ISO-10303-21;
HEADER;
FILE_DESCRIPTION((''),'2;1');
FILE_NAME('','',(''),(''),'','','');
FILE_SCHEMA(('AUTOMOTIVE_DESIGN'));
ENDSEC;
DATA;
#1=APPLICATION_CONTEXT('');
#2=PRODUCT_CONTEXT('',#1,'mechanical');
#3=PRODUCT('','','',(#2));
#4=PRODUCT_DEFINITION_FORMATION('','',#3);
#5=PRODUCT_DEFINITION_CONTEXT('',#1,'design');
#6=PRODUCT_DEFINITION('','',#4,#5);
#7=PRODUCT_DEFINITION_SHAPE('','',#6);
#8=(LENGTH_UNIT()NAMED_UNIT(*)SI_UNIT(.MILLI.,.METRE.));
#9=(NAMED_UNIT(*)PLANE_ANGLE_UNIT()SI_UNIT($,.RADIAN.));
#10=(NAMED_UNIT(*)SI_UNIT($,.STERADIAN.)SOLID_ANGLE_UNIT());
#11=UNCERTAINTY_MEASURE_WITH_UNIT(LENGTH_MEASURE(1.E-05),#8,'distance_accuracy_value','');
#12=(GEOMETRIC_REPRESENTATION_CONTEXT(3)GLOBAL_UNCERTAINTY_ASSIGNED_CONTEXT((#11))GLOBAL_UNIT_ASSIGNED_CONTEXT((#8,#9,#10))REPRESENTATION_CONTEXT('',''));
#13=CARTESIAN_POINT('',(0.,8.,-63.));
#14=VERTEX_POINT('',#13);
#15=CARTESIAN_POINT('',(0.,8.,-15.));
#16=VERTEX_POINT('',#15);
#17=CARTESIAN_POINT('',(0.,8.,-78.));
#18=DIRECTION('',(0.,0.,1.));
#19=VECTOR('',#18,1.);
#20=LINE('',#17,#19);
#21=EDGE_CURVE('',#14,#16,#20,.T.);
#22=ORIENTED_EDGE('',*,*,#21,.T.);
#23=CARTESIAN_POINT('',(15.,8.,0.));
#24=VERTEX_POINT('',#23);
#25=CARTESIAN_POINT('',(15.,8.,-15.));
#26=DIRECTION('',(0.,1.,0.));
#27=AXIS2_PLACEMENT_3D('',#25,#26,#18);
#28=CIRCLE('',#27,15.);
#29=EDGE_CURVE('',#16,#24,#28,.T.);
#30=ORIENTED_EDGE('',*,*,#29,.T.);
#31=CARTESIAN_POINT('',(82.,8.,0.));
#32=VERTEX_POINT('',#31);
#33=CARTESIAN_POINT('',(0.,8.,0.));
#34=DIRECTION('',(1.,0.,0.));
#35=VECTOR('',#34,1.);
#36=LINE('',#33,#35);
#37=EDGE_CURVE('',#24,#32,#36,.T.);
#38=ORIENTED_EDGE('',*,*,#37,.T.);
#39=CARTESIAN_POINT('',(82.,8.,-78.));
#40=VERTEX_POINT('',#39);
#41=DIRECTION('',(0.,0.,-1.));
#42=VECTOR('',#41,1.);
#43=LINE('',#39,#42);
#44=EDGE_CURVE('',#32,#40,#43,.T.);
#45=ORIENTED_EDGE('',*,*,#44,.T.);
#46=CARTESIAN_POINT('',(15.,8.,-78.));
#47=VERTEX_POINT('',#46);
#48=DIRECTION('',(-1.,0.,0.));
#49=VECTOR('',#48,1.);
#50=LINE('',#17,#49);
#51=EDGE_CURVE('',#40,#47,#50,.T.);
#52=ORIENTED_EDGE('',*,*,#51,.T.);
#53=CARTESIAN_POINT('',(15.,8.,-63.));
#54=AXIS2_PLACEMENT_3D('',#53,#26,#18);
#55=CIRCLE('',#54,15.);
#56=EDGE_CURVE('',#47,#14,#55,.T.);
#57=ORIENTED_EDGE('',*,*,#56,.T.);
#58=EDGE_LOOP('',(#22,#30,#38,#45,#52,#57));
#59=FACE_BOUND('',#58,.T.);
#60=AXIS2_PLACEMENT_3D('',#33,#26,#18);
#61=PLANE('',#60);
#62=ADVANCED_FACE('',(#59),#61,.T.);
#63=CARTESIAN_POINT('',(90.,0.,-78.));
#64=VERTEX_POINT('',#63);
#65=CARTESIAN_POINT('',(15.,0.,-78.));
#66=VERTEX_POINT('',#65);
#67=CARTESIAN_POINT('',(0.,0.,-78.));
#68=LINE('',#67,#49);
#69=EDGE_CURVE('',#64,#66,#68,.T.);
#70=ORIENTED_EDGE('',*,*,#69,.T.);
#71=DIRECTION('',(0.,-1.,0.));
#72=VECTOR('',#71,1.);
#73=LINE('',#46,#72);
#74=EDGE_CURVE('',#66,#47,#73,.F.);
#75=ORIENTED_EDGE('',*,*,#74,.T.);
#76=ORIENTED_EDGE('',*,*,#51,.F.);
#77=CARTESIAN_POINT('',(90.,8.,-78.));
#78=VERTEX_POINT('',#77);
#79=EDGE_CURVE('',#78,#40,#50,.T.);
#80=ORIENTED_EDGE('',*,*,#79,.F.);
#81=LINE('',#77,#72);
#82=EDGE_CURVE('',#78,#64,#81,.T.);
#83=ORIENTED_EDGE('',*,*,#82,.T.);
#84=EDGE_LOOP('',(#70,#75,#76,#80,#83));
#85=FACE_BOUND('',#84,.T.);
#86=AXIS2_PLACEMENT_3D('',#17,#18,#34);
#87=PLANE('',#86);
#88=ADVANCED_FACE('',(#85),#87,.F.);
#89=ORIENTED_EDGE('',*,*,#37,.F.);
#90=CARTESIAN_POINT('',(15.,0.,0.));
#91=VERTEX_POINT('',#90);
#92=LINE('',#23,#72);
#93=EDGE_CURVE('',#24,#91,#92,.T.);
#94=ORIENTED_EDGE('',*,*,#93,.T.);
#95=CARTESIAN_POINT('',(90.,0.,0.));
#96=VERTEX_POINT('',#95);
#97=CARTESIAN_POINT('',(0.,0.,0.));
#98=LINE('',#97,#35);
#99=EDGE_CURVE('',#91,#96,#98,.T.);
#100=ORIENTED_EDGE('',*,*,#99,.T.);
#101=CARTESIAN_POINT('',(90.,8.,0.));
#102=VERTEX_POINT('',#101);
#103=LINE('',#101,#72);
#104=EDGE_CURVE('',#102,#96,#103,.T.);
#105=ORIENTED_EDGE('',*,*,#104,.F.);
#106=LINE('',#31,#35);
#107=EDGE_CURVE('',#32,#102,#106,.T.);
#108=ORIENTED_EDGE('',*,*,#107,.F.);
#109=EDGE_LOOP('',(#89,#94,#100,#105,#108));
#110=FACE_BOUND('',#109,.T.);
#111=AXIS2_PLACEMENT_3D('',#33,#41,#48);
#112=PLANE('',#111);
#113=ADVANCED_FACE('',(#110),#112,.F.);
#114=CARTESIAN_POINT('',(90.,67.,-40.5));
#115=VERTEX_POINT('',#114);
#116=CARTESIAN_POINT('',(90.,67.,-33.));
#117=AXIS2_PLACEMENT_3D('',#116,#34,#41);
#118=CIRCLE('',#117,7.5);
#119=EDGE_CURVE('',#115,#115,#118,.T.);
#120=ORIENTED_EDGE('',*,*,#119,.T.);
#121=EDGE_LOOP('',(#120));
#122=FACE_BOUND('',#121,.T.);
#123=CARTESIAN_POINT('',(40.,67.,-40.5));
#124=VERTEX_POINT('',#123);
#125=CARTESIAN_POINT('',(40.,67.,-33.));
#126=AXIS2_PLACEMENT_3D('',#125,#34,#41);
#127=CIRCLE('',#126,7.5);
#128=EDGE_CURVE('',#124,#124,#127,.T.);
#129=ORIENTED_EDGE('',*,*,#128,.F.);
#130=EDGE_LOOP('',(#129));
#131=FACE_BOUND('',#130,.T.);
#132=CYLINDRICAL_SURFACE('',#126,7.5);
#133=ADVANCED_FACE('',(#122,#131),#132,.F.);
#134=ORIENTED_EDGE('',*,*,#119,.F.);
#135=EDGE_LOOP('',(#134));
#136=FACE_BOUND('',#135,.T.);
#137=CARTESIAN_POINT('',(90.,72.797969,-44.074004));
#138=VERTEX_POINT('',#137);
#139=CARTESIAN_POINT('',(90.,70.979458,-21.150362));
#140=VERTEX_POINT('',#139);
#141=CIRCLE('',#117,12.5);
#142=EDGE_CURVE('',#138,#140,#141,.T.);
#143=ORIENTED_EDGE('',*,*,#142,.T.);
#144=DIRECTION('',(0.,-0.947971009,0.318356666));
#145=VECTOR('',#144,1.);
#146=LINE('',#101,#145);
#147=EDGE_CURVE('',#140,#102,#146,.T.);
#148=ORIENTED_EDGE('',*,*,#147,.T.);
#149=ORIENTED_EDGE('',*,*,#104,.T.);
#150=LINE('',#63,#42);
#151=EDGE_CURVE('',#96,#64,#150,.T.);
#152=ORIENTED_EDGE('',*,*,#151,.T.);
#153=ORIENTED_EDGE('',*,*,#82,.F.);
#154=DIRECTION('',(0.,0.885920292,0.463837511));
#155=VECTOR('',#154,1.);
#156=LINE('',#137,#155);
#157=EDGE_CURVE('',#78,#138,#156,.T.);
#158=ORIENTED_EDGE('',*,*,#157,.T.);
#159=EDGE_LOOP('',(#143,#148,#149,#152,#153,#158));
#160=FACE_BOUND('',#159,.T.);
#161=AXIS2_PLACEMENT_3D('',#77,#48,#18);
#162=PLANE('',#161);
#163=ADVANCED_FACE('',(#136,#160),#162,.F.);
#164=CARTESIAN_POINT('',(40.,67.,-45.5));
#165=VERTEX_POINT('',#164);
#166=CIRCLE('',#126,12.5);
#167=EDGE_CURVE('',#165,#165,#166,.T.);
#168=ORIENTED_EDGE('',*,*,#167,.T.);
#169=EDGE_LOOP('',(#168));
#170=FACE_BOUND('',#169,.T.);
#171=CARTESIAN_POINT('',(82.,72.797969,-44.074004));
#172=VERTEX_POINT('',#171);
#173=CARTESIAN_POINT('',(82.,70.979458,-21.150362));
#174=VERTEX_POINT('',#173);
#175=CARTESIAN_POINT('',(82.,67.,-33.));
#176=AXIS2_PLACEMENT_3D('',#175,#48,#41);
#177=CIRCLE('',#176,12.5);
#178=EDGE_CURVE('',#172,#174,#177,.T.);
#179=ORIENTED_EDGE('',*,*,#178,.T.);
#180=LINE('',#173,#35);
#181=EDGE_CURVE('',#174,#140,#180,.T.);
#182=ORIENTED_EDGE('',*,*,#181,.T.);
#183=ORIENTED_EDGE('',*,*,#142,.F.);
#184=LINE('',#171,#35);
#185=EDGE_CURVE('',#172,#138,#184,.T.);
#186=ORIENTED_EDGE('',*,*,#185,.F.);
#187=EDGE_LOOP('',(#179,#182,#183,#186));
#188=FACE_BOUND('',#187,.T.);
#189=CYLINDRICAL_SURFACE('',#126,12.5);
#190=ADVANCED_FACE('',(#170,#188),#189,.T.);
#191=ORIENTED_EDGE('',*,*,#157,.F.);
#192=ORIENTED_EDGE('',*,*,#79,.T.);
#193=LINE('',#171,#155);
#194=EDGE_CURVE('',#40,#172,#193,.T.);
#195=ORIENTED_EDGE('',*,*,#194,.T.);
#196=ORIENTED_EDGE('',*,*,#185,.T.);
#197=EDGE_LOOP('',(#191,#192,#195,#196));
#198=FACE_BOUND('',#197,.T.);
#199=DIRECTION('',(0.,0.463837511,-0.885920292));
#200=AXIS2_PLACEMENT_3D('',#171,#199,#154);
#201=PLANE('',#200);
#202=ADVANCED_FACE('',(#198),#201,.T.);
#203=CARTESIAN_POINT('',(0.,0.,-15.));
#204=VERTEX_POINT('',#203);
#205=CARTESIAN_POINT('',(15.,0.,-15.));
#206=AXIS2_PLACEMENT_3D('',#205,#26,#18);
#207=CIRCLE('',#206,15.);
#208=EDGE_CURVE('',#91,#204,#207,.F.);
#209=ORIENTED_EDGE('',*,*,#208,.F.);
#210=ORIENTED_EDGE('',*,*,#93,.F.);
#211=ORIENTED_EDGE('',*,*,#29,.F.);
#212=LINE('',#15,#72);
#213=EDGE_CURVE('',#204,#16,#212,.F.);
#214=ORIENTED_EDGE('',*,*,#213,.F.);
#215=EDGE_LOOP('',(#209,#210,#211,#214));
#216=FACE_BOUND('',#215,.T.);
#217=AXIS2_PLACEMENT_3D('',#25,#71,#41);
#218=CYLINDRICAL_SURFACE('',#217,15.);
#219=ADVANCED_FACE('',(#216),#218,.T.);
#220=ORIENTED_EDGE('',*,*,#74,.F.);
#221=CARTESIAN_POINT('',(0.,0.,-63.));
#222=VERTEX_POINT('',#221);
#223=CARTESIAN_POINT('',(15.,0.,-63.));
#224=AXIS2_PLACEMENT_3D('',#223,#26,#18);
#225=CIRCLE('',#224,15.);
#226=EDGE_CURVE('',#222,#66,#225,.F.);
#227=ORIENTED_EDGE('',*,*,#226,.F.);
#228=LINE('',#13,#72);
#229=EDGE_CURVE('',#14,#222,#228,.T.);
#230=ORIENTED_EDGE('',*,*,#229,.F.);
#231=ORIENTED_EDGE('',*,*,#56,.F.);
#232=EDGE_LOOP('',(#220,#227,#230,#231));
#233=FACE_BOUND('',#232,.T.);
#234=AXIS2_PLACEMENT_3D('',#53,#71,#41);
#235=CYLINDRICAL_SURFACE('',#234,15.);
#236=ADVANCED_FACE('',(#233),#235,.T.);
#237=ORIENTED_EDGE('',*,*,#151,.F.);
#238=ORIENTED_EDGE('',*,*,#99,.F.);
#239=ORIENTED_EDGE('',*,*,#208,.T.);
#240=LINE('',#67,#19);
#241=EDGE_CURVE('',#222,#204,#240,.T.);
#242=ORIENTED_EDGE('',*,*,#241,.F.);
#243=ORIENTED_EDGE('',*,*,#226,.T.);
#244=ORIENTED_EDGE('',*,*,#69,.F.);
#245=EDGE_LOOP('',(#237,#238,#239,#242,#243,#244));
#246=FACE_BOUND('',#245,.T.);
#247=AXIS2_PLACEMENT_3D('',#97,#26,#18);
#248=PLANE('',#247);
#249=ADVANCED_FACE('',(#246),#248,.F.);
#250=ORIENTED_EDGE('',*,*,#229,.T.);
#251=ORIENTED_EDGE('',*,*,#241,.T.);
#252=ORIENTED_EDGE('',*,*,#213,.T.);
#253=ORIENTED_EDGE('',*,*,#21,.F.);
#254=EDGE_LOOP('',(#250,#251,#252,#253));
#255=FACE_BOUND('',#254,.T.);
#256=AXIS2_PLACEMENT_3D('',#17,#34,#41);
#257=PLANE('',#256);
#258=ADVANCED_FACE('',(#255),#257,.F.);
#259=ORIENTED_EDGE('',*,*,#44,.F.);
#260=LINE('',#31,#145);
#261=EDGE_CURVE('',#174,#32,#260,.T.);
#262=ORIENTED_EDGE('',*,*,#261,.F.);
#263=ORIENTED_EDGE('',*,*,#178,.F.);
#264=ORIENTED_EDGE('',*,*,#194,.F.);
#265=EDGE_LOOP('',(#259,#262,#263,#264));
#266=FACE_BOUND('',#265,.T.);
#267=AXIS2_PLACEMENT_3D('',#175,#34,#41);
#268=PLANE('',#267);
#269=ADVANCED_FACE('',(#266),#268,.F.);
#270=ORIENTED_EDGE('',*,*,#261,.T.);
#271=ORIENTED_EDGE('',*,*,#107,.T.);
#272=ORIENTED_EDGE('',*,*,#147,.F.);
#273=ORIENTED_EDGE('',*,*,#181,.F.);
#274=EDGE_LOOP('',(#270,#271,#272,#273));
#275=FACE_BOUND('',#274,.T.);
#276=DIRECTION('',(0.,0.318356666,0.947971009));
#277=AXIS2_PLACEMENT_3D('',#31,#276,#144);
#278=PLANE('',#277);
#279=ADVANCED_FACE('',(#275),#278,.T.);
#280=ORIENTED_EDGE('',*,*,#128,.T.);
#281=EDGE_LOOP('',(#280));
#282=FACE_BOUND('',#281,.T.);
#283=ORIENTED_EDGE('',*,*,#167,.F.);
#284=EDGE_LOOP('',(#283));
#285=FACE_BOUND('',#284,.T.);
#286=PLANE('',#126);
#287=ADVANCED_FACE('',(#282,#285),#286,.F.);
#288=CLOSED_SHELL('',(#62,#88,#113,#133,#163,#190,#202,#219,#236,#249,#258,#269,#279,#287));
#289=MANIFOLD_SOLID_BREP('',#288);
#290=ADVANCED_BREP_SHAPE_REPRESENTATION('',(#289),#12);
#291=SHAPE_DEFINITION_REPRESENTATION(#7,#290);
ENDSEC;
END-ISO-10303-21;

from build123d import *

# Parameters (mm, degrees)
SKETCH2_W           = 90
SKETCH2_H           = 78
BOSS_EXTRUDE1_DEPTH = 8
SKETCH3_R           = 12.5
SKETCH3_R_2         = 7.5
BOSS_EXTRUDE2_DEPTH = 50
BOSS_EXTRUDE3_DEPTH = 8
FILLET1_R           = 15
FILLET2_R           = 15


with BuildPart() as part:
    # Sketch2 → Boss-Extrude1 (new body)
    with BuildSketch(Plane(origin=(0, 0, 0), x_dir=(1, 0, 0), z_dir=(0, 1, 0))):
        with Locations((45, 39)):
            Rectangle(SKETCH2_W, SKETCH2_H)
    extrude(amount=BOSS_EXTRUDE1_DEPTH)



with BuildPart() as body_2:
    # Sketch3 → Boss-Extrude2 (new body)
    with BuildSketch(Plane(origin=(90, 0, 0), x_dir=(0, 0, -1), z_dir=(1, 0, 0))):
        with Locations((33, 67)):
            Circle(SKETCH3_R)
        with Locations((33, 67)):
            Circle(SKETCH3_R_2, mode=Mode.SUBTRACT)
    extrude(amount=-BOSS_EXTRUDE2_DEPTH)


with BuildPart() as part_1:
    add(part.part)

    add(body_2.part)  # Boss-Extrude3 merges body 2
    # Sketch4 → Boss-Extrude3 (add)
    with BuildSketch(Plane(origin=(90, 0, 0), x_dir=(0, 0, -1), z_dir=(1, 0, 0))):
        with BuildLine():
            Line((44.074003649, 72.797968885), (78, 8))
            Line((78, 8), (0, 8))
            Line((0, 8), (21.150362392, 70.979458323))
            ThreePointArc((21.150362392, 70.979458323), (33.988507549, 54.539147187), (44.074003649, 72.797968885))
        make_face()
    extrude(amount=-BOSS_EXTRUDE3_DEPTH)

    # Fillet1
    fillet1_edges = [part_1.edges().sort_by_distance(p)[0] for p in [
        (0, 4, 0),
    ]]
    fillet(fillet1_edges, radius=FILLET1_R)

    # Fillet2
    fillet2_edges = [part_1.edges().sort_by_distance(p)[0] for p in [
        (0, 4, -78),
    ]]
    fillet(fillet2_edges, radius=FILLET2_R)


solid = part_1.part
